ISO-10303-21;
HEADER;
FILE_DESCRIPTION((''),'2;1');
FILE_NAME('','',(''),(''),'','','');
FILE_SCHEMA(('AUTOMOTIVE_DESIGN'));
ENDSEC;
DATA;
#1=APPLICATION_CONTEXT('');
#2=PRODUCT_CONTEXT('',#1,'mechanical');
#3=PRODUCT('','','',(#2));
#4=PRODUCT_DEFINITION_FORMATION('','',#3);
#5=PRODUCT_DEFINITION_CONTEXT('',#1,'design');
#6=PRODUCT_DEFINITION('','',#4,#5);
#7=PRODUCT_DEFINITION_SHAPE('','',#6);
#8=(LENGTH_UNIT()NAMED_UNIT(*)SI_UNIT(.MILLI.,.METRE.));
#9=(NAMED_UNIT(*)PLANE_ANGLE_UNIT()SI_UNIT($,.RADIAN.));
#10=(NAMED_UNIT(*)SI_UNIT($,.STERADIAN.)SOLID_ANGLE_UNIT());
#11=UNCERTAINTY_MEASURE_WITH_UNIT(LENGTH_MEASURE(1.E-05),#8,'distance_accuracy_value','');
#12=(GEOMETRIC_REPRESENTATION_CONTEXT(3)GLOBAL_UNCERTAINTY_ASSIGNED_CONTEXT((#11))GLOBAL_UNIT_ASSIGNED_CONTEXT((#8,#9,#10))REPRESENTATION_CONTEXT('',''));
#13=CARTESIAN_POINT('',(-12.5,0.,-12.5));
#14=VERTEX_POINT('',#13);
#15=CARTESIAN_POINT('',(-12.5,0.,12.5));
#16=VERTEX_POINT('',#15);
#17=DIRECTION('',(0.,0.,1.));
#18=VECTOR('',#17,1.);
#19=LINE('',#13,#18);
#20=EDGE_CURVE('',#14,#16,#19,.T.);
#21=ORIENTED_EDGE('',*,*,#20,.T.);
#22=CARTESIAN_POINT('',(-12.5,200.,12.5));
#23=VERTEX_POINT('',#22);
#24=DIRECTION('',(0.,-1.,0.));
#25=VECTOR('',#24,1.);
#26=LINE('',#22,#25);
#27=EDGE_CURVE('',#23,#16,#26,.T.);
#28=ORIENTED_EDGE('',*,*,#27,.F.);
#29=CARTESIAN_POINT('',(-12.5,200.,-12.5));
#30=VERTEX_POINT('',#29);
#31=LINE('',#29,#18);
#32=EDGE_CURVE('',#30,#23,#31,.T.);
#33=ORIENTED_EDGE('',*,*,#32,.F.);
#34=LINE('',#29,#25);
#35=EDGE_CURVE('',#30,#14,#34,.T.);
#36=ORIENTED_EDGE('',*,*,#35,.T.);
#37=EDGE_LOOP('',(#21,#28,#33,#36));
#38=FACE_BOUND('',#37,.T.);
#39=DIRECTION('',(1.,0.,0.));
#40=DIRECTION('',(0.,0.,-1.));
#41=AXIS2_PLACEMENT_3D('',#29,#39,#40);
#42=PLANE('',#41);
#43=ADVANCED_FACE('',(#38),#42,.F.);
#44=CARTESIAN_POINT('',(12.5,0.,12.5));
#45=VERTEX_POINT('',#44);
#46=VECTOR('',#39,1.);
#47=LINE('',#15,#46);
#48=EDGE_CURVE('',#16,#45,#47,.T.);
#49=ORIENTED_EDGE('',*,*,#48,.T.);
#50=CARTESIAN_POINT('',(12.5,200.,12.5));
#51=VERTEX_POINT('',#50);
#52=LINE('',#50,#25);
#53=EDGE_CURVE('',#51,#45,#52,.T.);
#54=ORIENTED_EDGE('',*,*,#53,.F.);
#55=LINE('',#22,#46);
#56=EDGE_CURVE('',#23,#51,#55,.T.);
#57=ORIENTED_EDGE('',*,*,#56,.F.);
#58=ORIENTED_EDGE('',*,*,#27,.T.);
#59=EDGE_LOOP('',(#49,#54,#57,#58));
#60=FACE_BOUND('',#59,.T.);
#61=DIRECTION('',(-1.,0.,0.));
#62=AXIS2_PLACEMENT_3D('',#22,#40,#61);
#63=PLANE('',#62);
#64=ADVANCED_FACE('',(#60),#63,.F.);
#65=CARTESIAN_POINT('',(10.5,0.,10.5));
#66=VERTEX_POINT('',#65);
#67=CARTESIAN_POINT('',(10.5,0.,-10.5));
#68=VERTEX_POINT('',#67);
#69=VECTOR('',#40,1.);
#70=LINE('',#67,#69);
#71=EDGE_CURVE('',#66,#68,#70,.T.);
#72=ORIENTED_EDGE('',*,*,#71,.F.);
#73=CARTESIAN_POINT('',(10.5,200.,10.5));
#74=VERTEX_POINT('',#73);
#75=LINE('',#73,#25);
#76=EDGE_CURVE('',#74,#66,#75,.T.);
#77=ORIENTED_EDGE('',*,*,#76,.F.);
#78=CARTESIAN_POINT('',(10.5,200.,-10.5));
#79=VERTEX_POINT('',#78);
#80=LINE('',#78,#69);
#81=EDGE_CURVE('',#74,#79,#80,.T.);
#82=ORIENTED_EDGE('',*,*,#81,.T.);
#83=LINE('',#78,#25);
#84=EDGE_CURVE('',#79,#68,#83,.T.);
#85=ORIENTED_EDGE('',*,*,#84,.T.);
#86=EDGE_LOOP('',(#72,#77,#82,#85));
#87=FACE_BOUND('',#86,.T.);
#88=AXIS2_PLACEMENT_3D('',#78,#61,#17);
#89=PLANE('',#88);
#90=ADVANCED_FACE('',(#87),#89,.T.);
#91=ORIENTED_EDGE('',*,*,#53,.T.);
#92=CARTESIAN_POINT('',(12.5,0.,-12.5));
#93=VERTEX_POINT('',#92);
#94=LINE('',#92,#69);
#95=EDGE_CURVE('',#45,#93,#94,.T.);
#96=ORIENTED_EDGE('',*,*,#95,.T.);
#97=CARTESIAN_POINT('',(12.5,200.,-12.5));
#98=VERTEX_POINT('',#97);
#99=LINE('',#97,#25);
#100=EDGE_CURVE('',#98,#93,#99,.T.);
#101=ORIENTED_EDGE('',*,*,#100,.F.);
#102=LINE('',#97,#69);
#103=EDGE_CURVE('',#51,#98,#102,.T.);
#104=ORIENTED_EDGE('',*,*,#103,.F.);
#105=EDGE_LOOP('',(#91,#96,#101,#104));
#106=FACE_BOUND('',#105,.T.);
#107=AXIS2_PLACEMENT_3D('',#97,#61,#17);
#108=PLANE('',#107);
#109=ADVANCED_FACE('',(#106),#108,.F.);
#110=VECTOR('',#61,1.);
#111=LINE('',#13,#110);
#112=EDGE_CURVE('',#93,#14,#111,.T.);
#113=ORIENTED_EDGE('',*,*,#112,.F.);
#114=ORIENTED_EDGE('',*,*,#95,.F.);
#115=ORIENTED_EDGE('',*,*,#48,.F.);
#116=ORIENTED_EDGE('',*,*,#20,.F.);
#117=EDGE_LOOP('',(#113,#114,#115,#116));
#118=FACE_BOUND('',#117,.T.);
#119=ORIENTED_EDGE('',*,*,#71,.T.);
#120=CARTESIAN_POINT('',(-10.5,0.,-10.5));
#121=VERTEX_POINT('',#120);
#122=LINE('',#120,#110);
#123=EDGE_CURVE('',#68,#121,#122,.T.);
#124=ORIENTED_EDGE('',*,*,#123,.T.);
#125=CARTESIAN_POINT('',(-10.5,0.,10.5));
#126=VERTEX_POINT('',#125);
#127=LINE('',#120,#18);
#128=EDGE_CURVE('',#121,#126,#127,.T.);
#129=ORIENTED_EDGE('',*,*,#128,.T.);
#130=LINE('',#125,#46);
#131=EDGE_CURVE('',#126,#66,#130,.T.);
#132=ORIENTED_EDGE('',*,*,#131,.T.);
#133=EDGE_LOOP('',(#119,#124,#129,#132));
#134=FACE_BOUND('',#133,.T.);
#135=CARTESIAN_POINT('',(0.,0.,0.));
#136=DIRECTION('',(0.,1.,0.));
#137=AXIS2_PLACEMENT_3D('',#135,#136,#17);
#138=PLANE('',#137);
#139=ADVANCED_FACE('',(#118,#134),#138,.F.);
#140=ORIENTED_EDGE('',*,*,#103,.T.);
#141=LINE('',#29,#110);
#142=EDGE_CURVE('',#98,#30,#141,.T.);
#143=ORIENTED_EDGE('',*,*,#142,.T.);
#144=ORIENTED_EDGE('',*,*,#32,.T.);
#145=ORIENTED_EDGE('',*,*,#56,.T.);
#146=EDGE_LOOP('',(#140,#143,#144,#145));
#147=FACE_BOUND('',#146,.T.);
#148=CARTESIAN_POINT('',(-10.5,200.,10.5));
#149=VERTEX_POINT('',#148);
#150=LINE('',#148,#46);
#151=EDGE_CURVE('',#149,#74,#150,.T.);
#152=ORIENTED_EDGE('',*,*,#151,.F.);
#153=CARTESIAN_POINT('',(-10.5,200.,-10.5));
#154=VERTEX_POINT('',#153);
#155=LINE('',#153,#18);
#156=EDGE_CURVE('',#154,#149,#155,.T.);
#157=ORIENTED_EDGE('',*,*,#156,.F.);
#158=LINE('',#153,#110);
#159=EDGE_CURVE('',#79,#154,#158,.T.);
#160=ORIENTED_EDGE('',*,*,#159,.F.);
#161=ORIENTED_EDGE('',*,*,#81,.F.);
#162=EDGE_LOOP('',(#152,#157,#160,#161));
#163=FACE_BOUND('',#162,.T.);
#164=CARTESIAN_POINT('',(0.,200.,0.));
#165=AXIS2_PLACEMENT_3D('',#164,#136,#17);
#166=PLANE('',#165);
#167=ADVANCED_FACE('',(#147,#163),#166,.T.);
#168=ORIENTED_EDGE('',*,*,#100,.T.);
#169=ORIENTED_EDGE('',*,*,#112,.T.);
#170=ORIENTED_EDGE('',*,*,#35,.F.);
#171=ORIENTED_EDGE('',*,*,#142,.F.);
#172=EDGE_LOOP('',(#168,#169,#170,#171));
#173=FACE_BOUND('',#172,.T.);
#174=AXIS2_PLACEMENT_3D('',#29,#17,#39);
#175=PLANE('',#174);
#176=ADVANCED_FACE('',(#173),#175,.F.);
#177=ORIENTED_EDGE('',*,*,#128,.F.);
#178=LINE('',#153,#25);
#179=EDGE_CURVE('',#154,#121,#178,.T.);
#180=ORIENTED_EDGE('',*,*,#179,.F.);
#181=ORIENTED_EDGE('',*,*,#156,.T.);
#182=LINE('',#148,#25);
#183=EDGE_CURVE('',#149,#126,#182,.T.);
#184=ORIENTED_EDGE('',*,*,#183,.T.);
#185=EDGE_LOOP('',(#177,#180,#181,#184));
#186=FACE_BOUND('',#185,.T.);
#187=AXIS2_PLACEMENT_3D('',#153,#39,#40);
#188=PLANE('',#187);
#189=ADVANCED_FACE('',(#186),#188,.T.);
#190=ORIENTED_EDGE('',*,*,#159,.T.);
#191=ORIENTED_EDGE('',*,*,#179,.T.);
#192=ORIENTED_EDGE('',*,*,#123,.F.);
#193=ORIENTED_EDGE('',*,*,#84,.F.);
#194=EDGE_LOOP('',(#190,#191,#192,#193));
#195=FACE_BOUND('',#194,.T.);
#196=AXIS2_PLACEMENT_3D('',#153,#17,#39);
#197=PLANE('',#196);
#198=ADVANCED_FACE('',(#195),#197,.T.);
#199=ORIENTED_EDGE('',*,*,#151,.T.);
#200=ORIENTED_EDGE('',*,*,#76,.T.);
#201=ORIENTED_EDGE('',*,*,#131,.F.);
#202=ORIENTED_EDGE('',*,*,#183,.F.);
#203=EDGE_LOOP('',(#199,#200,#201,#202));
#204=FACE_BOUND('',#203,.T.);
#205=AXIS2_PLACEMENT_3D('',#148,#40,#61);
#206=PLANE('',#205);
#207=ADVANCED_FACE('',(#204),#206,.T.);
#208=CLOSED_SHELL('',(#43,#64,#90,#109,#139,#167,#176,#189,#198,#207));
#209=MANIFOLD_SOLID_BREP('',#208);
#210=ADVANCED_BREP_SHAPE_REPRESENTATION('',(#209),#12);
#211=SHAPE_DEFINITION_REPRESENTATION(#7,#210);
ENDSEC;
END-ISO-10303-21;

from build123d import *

# Parameters (mm, degrees)
SKETCH1_W           = 25
SKETCH1_H           = 25
SKETCH1_W_2         = 21
SKETCH1_H_2         = 21
BOSS_EXTRUDE1_DEPTH = 200


with BuildPart() as part:
    # Sketch1 → Boss-Extrude1 (new body)
    with BuildSketch(Plane(origin=(0, 0, 0), x_dir=(1, 0, 0), z_dir=(0, 1, 0))):
        Rectangle(SKETCH1_W, SKETCH1_H)
        Rectangle(SKETCH1_W_2, SKETCH1_H_2, mode=Mode.SUBTRACT)
    extrude(amount=BOSS_EXTRUDE1_DEPTH)


solid = part.part
